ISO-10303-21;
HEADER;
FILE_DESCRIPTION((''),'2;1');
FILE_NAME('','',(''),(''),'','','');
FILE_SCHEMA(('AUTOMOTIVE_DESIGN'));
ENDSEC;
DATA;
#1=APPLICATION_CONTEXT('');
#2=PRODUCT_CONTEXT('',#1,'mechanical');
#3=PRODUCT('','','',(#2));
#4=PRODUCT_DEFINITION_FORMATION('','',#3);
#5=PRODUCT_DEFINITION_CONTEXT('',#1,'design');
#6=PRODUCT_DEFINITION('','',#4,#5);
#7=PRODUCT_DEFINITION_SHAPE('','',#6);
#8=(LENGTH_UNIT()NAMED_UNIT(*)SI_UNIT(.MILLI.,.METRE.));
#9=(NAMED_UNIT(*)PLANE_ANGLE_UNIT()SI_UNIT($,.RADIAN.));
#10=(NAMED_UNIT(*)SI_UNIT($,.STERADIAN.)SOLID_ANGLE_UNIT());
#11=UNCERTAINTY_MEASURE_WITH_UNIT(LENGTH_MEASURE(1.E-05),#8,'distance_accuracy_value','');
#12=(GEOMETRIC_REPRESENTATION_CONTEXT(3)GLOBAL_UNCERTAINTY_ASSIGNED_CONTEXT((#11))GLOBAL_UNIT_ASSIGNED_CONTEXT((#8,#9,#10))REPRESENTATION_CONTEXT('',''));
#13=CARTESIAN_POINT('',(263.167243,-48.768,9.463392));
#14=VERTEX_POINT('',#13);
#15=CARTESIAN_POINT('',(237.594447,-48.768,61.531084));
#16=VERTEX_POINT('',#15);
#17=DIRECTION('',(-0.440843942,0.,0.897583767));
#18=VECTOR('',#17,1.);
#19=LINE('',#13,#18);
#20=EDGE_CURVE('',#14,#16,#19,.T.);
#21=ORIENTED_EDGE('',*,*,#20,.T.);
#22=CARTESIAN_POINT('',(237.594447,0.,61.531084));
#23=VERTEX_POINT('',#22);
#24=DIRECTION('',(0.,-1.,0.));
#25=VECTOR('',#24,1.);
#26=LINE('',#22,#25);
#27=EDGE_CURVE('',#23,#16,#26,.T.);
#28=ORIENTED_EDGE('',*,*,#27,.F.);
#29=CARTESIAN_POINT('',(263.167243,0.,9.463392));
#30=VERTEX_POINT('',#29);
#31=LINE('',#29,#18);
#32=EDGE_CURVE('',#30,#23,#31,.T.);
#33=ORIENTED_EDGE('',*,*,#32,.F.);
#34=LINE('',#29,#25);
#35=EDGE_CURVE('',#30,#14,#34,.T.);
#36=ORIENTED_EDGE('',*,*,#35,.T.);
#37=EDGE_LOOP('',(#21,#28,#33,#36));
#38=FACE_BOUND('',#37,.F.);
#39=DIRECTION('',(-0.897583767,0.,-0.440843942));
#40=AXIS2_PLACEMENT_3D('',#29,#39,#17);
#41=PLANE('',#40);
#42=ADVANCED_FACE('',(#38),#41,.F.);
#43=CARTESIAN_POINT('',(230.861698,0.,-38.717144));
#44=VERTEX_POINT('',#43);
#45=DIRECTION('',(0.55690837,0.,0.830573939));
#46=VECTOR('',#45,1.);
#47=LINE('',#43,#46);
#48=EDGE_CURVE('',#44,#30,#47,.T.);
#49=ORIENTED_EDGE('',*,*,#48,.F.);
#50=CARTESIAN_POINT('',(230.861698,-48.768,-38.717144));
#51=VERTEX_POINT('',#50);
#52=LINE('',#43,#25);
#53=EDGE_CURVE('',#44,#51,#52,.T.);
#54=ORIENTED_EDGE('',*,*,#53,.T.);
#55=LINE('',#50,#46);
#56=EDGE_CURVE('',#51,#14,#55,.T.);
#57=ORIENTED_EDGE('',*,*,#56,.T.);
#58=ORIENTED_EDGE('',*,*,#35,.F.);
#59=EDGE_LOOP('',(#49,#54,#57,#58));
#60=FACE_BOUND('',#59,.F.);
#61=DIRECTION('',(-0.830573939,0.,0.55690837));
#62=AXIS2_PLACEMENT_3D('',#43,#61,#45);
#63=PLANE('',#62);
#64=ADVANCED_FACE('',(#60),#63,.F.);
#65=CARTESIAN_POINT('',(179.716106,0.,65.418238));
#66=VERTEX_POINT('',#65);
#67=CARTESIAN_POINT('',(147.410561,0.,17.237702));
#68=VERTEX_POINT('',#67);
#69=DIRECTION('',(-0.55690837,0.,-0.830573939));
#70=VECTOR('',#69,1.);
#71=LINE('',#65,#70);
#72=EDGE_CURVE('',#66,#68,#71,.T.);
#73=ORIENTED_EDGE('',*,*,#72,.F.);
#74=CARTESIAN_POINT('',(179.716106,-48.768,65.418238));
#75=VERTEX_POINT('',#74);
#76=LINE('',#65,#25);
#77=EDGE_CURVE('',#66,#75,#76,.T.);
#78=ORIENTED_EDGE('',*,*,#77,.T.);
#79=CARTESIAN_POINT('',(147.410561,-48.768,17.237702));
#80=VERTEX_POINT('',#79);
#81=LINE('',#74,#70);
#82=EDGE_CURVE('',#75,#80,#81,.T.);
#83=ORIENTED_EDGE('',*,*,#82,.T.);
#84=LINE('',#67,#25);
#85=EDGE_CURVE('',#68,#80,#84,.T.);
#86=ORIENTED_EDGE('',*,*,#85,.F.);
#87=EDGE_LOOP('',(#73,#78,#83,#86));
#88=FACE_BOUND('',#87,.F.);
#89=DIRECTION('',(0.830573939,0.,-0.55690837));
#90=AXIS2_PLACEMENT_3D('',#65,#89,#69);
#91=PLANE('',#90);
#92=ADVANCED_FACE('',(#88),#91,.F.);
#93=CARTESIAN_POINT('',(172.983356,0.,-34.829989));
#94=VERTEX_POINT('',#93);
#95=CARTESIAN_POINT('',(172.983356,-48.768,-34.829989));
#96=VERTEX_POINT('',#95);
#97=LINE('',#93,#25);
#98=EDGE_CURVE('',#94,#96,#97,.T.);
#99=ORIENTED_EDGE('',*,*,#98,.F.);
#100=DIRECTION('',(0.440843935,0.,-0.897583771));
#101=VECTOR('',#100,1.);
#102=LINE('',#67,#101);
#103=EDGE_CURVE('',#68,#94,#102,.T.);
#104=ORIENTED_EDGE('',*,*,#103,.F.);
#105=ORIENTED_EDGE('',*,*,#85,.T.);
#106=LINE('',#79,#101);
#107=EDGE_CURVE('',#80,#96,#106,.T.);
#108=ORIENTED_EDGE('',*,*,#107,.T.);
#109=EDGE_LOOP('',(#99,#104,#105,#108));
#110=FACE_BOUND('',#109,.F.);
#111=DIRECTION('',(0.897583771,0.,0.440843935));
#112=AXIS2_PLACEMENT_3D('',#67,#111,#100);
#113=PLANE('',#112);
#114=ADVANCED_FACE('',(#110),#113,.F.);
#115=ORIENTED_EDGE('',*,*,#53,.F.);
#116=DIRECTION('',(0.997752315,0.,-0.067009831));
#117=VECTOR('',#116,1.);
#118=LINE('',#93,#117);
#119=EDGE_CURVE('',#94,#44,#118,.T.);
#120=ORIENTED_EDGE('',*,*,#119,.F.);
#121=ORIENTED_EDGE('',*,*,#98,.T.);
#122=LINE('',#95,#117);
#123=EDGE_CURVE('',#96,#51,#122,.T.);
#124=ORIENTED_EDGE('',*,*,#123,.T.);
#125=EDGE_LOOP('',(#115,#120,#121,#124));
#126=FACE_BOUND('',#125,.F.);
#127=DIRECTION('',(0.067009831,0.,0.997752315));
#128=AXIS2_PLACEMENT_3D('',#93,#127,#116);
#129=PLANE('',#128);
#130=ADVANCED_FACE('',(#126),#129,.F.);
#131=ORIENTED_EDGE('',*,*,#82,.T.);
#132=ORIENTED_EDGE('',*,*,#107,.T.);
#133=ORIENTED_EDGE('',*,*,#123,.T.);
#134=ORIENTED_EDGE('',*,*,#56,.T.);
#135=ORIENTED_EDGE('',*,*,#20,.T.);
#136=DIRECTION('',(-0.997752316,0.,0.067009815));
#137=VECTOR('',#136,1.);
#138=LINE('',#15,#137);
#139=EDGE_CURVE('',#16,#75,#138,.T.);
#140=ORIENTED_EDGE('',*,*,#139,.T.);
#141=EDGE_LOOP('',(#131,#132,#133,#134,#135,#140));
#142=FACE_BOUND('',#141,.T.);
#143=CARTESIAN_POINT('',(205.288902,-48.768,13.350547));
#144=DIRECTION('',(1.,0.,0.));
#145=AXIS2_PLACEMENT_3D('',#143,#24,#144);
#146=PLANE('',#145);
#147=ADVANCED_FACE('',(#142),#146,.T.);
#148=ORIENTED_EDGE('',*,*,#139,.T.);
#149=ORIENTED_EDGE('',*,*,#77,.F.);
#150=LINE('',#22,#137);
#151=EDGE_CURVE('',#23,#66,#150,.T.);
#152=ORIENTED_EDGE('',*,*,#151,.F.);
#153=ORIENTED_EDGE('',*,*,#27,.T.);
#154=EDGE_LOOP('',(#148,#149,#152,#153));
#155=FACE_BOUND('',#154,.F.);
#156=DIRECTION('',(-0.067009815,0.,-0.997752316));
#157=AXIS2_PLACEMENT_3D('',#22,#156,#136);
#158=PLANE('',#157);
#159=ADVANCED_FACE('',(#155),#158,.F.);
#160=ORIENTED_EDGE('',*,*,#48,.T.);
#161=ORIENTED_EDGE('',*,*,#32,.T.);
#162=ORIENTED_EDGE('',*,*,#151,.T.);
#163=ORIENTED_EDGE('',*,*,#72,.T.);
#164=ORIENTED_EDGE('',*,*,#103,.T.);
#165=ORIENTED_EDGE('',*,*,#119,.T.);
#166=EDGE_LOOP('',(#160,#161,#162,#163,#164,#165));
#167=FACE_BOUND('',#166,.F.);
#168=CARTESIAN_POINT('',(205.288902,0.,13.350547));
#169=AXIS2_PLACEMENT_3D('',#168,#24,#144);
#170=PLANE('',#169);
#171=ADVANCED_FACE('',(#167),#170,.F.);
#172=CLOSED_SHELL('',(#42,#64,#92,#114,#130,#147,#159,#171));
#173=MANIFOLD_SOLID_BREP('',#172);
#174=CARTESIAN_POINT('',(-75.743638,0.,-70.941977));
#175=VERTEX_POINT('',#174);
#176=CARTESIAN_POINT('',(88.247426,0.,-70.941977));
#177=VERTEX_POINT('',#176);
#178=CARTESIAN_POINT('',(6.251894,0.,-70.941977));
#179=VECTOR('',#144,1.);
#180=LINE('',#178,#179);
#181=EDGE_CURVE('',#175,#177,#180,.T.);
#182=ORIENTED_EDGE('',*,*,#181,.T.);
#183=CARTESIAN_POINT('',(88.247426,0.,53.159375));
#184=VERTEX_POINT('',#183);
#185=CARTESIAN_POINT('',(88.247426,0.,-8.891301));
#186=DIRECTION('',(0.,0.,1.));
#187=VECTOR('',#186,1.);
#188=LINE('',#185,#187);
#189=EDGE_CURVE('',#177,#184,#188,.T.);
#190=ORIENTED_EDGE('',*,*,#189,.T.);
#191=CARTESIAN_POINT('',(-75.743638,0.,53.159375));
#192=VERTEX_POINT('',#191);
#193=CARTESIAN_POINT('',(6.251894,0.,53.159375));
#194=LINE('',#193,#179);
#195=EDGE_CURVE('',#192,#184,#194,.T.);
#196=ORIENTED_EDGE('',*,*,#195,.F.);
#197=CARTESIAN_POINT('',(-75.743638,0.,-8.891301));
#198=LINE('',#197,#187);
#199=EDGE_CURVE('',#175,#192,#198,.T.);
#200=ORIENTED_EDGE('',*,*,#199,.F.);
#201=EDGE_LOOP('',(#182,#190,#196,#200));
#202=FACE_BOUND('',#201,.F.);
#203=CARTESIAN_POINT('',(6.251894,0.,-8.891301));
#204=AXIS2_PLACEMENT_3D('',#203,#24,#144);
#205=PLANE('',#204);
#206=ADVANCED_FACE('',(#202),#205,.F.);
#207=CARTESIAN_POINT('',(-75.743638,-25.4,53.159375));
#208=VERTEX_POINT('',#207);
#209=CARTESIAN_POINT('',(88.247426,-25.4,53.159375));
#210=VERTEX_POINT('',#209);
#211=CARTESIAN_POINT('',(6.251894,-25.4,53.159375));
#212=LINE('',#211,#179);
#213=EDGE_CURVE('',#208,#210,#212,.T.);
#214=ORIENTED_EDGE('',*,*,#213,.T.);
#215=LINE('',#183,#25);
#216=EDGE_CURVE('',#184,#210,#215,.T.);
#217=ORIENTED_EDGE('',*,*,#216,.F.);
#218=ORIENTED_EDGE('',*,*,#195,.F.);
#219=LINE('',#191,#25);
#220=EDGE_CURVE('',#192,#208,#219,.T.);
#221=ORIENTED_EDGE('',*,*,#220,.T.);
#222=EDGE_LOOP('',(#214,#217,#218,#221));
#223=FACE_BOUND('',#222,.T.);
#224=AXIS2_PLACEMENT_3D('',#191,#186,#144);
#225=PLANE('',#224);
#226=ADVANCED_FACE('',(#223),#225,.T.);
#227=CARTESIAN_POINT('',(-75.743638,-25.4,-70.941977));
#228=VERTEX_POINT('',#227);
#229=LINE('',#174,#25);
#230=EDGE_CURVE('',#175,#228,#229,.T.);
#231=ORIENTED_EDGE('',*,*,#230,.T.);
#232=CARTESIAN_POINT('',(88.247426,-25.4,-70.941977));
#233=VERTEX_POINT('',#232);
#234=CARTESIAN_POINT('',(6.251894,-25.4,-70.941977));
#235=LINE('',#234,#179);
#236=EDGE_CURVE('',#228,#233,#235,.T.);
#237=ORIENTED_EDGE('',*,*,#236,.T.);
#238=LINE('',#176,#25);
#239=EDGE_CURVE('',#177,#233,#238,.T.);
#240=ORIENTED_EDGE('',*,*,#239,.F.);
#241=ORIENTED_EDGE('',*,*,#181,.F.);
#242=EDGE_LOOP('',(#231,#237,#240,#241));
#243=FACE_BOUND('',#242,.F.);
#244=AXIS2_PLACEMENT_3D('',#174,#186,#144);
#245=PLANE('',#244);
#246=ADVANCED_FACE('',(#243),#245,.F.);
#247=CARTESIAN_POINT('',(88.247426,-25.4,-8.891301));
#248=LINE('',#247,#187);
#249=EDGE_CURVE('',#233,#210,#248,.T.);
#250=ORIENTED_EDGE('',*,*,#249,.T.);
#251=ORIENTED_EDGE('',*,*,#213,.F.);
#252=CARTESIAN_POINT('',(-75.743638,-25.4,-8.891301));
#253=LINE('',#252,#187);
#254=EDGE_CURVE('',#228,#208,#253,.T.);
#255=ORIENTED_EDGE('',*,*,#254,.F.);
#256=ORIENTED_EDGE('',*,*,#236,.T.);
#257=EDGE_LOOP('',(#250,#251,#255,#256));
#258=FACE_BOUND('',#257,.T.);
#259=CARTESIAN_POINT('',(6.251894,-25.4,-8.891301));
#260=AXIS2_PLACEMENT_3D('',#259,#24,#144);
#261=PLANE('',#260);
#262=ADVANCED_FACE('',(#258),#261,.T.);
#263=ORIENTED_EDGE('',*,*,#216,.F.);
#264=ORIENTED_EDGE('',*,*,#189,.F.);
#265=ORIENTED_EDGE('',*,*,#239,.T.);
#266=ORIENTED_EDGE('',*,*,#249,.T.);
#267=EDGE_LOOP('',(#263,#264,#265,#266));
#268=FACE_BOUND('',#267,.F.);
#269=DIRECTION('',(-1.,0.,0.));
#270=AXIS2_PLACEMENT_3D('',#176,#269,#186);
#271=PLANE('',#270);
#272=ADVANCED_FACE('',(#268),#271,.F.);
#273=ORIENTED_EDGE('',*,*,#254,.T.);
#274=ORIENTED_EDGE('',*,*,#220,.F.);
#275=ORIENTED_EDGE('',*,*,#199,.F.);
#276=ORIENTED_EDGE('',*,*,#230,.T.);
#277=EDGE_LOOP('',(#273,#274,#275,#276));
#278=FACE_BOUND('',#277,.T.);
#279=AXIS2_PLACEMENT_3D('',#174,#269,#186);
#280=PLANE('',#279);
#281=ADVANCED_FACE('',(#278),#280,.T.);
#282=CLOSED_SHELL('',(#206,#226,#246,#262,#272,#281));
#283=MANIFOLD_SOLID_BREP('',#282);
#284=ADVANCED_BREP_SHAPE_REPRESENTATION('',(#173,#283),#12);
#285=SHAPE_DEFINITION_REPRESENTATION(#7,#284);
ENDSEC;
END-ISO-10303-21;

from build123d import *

# Parameters (mm, degrees)
F0_W     = 163.991064
F0_H     = 124.101352
F1_DEPTH = 25.4
F3_DEPTH = 48.768


with BuildPart() as f1:
    # F0 (on Front) → F1 (new body)
    with BuildSketch(Plane.XZ):
        with Locations((6.251894, -8.891301)):
            Rectangle(F0_W, F0_H)
    extrude(amount=F1_DEPTH)


with BuildPart() as f3:
    # F2 (on Front) → F3 (new body)
    with BuildSketch(Plane.XZ):
        Polygon((230.861698, -38.717144), (263.167243, 9.463392), (237.594447, 61.531084), (179.716106, 65.418238), (147.410561, 17.237702), (172.983356, -34.829989), align=None)
    extrude(amount=F3_DEPTH)


solid = Compound([f1.part, f3.part])
